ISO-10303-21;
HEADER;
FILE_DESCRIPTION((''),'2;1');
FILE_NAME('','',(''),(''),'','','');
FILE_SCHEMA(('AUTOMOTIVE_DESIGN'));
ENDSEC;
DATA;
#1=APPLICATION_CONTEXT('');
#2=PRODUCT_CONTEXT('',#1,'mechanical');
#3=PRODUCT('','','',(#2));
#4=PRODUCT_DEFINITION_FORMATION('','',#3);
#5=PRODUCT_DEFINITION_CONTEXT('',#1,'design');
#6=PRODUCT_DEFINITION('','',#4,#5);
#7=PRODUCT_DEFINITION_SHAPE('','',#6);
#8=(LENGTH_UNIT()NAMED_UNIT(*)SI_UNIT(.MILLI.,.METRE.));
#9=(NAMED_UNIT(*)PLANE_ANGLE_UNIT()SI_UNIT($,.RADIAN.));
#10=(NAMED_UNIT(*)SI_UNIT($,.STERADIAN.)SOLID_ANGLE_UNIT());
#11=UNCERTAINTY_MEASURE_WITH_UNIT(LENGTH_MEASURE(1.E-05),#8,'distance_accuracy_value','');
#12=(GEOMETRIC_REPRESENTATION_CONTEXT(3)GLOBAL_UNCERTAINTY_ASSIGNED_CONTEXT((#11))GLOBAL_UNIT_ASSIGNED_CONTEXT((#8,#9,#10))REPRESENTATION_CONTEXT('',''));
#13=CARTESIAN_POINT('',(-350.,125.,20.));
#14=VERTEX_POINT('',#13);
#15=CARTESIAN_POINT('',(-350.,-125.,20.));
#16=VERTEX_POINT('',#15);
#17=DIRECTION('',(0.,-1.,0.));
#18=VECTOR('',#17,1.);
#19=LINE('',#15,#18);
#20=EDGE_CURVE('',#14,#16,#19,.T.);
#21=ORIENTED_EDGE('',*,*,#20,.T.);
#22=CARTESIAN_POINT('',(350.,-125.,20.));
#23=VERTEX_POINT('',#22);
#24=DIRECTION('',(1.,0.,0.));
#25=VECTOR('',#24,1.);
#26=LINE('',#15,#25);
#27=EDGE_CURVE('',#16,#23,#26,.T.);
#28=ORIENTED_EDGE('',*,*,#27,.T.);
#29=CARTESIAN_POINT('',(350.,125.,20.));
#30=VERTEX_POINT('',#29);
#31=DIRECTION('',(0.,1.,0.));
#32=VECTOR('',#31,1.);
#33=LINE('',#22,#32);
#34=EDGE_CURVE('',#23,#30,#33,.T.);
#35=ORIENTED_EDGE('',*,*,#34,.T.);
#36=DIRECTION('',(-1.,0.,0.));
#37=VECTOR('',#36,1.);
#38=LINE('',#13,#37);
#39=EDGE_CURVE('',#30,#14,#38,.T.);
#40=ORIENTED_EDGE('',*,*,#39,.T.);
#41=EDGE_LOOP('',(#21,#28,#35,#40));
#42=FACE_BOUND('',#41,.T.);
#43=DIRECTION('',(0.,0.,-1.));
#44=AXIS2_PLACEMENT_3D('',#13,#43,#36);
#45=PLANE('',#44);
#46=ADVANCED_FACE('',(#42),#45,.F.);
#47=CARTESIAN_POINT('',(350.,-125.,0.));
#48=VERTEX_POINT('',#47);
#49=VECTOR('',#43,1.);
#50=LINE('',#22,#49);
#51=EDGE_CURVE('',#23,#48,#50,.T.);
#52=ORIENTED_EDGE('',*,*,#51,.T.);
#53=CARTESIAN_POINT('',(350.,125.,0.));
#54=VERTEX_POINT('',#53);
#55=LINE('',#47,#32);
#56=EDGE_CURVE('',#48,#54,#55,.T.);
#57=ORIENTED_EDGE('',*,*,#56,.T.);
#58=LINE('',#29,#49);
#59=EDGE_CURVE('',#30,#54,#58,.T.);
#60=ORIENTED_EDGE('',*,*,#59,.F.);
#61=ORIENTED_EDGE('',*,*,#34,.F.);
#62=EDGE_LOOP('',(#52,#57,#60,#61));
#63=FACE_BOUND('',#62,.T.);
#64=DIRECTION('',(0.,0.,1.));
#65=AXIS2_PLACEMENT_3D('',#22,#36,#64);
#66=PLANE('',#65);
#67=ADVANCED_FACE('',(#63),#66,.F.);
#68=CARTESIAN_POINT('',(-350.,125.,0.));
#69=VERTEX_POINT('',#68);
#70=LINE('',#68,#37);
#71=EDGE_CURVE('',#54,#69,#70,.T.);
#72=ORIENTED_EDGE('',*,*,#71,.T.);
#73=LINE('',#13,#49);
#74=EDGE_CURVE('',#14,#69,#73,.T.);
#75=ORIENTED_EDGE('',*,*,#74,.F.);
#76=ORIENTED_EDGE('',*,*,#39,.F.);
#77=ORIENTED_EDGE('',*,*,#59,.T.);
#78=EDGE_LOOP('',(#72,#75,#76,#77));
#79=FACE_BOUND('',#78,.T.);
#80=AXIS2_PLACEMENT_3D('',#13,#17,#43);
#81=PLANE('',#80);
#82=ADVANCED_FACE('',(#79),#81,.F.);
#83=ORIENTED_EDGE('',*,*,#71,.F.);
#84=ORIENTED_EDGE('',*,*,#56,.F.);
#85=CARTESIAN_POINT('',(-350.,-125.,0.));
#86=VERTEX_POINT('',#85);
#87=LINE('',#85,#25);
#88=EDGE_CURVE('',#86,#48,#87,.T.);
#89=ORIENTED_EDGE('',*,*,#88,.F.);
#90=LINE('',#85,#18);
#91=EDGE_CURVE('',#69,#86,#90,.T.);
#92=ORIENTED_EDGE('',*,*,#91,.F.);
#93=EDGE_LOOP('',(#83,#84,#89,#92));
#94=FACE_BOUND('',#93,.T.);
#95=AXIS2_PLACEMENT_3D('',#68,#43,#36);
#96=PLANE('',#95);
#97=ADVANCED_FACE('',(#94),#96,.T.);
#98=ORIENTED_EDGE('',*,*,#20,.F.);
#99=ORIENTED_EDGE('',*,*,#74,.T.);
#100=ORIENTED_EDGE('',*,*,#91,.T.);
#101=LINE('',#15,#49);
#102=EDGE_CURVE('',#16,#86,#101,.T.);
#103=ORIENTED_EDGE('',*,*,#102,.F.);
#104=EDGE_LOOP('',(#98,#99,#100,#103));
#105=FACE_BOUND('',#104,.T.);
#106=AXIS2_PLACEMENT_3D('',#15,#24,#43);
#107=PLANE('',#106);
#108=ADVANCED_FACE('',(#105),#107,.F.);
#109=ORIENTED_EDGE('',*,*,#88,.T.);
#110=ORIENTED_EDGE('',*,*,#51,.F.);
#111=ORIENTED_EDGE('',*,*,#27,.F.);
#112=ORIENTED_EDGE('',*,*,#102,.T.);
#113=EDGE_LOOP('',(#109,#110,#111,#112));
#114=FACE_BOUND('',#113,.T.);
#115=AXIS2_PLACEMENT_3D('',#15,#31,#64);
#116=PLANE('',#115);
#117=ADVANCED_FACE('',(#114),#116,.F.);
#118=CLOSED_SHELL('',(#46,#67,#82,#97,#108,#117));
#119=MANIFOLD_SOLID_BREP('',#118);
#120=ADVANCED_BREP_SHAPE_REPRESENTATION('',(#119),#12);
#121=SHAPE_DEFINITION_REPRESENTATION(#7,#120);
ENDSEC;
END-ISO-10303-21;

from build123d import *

# Parameters (mm, degrees)
SKETCH_1_W        = 700
SKETCH_1_H        = 250
EXTRUDE_569_DEPTH = 20


with BuildPart() as part:
    # 草图1 → Extrude 569 (new body)
    with BuildSketch(Plane.XY):
        Rectangle(SKETCH_1_W, SKETCH_1_H)
    extrude(amount=EXTRUDE_569_DEPTH)


solid = part.part
